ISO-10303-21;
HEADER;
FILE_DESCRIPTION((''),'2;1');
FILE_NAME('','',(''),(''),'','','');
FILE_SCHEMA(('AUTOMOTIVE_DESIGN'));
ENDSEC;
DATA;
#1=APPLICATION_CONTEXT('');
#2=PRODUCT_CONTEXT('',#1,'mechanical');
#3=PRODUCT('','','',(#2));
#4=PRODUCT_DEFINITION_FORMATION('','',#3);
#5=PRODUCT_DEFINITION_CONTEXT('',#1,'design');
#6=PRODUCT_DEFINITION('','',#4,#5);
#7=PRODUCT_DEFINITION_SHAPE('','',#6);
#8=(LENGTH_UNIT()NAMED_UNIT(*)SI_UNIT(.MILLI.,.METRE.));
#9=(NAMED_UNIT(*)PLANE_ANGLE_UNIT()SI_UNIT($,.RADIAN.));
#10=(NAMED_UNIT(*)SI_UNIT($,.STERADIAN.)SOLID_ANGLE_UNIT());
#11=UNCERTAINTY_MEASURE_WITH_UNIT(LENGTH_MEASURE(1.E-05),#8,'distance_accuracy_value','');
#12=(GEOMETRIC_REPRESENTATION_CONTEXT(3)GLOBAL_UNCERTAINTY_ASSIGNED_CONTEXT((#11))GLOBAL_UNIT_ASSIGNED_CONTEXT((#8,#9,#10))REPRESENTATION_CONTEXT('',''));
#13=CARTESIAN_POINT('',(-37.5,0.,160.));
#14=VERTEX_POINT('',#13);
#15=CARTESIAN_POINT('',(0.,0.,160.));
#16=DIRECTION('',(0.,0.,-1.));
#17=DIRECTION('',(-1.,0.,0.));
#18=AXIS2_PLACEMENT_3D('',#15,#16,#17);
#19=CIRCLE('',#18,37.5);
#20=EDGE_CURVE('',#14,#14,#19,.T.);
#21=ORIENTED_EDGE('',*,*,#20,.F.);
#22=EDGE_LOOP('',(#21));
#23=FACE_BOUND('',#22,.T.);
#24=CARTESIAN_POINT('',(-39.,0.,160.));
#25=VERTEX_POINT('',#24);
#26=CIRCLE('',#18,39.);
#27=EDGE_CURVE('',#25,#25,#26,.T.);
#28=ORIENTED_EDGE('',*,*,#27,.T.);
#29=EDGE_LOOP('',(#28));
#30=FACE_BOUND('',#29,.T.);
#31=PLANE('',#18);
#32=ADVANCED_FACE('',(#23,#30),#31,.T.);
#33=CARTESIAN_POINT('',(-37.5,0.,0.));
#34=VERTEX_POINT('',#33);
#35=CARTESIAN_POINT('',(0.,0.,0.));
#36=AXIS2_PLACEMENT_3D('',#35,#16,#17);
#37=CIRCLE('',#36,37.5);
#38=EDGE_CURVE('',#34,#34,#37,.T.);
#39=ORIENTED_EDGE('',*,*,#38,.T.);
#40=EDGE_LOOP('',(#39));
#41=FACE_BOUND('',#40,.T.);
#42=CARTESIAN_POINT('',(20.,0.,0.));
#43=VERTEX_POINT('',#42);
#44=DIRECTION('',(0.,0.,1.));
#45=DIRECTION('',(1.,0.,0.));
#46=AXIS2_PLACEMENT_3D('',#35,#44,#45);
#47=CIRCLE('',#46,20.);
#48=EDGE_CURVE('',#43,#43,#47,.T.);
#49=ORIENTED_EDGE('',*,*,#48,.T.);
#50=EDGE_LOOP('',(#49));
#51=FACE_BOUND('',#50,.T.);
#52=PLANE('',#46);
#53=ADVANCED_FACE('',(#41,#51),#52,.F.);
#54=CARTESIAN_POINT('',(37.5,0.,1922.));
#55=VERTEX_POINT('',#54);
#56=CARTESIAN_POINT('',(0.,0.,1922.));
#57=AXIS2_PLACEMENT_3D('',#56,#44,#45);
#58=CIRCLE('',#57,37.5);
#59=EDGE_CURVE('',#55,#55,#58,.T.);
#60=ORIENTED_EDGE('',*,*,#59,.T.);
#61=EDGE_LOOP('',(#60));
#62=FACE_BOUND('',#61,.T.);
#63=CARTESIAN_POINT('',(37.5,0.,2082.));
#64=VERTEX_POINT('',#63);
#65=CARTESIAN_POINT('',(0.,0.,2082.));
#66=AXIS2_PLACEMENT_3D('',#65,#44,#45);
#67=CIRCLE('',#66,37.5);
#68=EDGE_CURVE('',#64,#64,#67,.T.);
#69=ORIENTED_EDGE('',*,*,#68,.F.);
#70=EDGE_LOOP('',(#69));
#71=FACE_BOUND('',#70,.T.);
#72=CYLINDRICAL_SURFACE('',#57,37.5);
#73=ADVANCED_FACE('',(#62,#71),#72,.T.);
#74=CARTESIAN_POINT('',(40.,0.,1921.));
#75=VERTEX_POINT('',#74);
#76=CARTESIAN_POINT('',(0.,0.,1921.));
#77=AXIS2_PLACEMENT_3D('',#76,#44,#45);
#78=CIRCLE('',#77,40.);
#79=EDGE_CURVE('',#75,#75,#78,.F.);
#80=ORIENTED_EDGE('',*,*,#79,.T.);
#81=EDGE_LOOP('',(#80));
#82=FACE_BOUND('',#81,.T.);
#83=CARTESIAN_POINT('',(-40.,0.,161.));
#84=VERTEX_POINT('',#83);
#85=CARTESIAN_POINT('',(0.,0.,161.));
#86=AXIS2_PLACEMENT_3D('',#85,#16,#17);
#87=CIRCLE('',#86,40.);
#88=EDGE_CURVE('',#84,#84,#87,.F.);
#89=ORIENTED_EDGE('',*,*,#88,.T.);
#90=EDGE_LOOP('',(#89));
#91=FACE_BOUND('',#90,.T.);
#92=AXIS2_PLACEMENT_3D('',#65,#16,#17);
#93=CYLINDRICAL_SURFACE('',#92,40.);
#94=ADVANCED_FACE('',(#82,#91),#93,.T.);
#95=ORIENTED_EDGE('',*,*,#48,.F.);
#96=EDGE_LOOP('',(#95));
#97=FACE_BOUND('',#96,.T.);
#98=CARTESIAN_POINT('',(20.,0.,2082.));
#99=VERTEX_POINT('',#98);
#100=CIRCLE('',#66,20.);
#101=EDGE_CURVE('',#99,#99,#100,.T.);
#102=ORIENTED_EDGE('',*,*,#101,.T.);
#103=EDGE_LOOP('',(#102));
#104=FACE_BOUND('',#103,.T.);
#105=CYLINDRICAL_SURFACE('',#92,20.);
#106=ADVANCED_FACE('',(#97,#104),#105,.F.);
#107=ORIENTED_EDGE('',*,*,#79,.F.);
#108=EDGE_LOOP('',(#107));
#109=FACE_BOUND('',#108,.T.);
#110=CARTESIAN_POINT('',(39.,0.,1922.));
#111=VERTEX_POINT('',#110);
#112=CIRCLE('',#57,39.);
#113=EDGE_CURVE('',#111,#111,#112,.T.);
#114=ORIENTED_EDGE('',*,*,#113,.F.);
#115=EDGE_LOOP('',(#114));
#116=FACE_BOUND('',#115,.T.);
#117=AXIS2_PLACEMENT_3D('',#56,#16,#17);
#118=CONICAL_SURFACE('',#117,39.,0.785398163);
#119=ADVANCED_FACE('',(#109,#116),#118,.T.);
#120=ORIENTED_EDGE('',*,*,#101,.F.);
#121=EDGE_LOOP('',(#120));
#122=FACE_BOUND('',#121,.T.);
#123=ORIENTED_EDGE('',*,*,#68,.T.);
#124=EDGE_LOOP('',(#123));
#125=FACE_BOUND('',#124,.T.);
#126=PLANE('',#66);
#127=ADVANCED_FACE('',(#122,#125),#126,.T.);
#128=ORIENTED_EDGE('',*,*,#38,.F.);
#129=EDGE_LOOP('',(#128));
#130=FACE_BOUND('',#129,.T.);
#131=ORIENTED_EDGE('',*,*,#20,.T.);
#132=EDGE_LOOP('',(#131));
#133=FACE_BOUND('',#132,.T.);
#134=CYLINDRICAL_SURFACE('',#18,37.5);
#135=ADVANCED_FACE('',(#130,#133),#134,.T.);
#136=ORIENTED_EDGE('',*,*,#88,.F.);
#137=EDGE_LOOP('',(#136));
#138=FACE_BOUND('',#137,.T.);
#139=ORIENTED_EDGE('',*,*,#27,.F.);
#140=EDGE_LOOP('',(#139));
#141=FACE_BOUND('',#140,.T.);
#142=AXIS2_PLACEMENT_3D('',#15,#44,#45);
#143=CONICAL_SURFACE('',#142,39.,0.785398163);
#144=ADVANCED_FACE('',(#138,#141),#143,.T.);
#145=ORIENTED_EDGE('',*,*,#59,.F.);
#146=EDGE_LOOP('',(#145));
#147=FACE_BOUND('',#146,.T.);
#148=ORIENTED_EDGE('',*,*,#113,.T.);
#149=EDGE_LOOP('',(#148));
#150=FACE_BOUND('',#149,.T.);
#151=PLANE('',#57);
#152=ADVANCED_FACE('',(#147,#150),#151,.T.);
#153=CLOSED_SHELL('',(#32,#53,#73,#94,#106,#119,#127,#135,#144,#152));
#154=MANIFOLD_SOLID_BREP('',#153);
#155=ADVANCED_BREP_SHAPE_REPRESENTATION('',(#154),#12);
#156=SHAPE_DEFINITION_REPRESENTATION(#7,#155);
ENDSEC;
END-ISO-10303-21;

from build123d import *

# Parameters (mm, degrees)
SKETCH_1_R          = 40
SKETCH_1_R_2        = 20
EXTRUDE_1_DEPTH     = 2082
SKETCH_2_R          = 40
SKETCH_2_R_2        = 37.5
CUT_EXTRUDE_1_DEPTH = 160
CUT_EXTRUDE_START   = -160
SKETCH_3_R          = 40
SKETCH_3_R_2        = 37.5
CUT_EXTRUDE_2_DEPTH = 160
CHAMFER_1_SIZE      = 1


with BuildPart() as part:
    # 草图1 → 凸台-拉伸1 (new body)
    with BuildSketch(Plane.XY):
        Circle(SKETCH_1_R)
        Circle(SKETCH_1_R_2, mode=Mode.SUBTRACT)
    extrude(amount=EXTRUDE_1_DEPTH)

    # 草图2 → 切除-拉伸1 (cut)
    with BuildSketch(Plane(origin=(0, 0, 0), x_dir=(-1, 0, 0), z_dir=(0, 0, -1))):
        Circle(SKETCH_2_R)
        Circle(SKETCH_2_R_2, mode=Mode.SUBTRACT)
    extrude(amount=-CUT_EXTRUDE_1_DEPTH, mode=Mode.SUBTRACT)

    # 草图3 → 切除-拉伸2 (cut)
    with BuildSketch(Plane.XY.offset(2082).offset(CUT_EXTRUDE_START)):
        with Locations(Location((0, 0, 0), (0, 0, 180))):
            Circle(SKETCH_3_R)
        with Locations(Location((0, 0, 0), (0, 0, 180))):
            Circle(SKETCH_3_R_2, mode=Mode.SUBTRACT)
    extrude(amount=CUT_EXTRUDE_2_DEPTH, mode=Mode.SUBTRACT)

    # 倒角1
    chamfer_1_edges = [part.edges().sort_by_distance(p)[0] for p in [
        (-40, 0, 160),
        (-40, 0, 1922),
    ]]
    chamfer(chamfer_1_edges, length=CHAMFER_1_SIZE)


solid = part.part
